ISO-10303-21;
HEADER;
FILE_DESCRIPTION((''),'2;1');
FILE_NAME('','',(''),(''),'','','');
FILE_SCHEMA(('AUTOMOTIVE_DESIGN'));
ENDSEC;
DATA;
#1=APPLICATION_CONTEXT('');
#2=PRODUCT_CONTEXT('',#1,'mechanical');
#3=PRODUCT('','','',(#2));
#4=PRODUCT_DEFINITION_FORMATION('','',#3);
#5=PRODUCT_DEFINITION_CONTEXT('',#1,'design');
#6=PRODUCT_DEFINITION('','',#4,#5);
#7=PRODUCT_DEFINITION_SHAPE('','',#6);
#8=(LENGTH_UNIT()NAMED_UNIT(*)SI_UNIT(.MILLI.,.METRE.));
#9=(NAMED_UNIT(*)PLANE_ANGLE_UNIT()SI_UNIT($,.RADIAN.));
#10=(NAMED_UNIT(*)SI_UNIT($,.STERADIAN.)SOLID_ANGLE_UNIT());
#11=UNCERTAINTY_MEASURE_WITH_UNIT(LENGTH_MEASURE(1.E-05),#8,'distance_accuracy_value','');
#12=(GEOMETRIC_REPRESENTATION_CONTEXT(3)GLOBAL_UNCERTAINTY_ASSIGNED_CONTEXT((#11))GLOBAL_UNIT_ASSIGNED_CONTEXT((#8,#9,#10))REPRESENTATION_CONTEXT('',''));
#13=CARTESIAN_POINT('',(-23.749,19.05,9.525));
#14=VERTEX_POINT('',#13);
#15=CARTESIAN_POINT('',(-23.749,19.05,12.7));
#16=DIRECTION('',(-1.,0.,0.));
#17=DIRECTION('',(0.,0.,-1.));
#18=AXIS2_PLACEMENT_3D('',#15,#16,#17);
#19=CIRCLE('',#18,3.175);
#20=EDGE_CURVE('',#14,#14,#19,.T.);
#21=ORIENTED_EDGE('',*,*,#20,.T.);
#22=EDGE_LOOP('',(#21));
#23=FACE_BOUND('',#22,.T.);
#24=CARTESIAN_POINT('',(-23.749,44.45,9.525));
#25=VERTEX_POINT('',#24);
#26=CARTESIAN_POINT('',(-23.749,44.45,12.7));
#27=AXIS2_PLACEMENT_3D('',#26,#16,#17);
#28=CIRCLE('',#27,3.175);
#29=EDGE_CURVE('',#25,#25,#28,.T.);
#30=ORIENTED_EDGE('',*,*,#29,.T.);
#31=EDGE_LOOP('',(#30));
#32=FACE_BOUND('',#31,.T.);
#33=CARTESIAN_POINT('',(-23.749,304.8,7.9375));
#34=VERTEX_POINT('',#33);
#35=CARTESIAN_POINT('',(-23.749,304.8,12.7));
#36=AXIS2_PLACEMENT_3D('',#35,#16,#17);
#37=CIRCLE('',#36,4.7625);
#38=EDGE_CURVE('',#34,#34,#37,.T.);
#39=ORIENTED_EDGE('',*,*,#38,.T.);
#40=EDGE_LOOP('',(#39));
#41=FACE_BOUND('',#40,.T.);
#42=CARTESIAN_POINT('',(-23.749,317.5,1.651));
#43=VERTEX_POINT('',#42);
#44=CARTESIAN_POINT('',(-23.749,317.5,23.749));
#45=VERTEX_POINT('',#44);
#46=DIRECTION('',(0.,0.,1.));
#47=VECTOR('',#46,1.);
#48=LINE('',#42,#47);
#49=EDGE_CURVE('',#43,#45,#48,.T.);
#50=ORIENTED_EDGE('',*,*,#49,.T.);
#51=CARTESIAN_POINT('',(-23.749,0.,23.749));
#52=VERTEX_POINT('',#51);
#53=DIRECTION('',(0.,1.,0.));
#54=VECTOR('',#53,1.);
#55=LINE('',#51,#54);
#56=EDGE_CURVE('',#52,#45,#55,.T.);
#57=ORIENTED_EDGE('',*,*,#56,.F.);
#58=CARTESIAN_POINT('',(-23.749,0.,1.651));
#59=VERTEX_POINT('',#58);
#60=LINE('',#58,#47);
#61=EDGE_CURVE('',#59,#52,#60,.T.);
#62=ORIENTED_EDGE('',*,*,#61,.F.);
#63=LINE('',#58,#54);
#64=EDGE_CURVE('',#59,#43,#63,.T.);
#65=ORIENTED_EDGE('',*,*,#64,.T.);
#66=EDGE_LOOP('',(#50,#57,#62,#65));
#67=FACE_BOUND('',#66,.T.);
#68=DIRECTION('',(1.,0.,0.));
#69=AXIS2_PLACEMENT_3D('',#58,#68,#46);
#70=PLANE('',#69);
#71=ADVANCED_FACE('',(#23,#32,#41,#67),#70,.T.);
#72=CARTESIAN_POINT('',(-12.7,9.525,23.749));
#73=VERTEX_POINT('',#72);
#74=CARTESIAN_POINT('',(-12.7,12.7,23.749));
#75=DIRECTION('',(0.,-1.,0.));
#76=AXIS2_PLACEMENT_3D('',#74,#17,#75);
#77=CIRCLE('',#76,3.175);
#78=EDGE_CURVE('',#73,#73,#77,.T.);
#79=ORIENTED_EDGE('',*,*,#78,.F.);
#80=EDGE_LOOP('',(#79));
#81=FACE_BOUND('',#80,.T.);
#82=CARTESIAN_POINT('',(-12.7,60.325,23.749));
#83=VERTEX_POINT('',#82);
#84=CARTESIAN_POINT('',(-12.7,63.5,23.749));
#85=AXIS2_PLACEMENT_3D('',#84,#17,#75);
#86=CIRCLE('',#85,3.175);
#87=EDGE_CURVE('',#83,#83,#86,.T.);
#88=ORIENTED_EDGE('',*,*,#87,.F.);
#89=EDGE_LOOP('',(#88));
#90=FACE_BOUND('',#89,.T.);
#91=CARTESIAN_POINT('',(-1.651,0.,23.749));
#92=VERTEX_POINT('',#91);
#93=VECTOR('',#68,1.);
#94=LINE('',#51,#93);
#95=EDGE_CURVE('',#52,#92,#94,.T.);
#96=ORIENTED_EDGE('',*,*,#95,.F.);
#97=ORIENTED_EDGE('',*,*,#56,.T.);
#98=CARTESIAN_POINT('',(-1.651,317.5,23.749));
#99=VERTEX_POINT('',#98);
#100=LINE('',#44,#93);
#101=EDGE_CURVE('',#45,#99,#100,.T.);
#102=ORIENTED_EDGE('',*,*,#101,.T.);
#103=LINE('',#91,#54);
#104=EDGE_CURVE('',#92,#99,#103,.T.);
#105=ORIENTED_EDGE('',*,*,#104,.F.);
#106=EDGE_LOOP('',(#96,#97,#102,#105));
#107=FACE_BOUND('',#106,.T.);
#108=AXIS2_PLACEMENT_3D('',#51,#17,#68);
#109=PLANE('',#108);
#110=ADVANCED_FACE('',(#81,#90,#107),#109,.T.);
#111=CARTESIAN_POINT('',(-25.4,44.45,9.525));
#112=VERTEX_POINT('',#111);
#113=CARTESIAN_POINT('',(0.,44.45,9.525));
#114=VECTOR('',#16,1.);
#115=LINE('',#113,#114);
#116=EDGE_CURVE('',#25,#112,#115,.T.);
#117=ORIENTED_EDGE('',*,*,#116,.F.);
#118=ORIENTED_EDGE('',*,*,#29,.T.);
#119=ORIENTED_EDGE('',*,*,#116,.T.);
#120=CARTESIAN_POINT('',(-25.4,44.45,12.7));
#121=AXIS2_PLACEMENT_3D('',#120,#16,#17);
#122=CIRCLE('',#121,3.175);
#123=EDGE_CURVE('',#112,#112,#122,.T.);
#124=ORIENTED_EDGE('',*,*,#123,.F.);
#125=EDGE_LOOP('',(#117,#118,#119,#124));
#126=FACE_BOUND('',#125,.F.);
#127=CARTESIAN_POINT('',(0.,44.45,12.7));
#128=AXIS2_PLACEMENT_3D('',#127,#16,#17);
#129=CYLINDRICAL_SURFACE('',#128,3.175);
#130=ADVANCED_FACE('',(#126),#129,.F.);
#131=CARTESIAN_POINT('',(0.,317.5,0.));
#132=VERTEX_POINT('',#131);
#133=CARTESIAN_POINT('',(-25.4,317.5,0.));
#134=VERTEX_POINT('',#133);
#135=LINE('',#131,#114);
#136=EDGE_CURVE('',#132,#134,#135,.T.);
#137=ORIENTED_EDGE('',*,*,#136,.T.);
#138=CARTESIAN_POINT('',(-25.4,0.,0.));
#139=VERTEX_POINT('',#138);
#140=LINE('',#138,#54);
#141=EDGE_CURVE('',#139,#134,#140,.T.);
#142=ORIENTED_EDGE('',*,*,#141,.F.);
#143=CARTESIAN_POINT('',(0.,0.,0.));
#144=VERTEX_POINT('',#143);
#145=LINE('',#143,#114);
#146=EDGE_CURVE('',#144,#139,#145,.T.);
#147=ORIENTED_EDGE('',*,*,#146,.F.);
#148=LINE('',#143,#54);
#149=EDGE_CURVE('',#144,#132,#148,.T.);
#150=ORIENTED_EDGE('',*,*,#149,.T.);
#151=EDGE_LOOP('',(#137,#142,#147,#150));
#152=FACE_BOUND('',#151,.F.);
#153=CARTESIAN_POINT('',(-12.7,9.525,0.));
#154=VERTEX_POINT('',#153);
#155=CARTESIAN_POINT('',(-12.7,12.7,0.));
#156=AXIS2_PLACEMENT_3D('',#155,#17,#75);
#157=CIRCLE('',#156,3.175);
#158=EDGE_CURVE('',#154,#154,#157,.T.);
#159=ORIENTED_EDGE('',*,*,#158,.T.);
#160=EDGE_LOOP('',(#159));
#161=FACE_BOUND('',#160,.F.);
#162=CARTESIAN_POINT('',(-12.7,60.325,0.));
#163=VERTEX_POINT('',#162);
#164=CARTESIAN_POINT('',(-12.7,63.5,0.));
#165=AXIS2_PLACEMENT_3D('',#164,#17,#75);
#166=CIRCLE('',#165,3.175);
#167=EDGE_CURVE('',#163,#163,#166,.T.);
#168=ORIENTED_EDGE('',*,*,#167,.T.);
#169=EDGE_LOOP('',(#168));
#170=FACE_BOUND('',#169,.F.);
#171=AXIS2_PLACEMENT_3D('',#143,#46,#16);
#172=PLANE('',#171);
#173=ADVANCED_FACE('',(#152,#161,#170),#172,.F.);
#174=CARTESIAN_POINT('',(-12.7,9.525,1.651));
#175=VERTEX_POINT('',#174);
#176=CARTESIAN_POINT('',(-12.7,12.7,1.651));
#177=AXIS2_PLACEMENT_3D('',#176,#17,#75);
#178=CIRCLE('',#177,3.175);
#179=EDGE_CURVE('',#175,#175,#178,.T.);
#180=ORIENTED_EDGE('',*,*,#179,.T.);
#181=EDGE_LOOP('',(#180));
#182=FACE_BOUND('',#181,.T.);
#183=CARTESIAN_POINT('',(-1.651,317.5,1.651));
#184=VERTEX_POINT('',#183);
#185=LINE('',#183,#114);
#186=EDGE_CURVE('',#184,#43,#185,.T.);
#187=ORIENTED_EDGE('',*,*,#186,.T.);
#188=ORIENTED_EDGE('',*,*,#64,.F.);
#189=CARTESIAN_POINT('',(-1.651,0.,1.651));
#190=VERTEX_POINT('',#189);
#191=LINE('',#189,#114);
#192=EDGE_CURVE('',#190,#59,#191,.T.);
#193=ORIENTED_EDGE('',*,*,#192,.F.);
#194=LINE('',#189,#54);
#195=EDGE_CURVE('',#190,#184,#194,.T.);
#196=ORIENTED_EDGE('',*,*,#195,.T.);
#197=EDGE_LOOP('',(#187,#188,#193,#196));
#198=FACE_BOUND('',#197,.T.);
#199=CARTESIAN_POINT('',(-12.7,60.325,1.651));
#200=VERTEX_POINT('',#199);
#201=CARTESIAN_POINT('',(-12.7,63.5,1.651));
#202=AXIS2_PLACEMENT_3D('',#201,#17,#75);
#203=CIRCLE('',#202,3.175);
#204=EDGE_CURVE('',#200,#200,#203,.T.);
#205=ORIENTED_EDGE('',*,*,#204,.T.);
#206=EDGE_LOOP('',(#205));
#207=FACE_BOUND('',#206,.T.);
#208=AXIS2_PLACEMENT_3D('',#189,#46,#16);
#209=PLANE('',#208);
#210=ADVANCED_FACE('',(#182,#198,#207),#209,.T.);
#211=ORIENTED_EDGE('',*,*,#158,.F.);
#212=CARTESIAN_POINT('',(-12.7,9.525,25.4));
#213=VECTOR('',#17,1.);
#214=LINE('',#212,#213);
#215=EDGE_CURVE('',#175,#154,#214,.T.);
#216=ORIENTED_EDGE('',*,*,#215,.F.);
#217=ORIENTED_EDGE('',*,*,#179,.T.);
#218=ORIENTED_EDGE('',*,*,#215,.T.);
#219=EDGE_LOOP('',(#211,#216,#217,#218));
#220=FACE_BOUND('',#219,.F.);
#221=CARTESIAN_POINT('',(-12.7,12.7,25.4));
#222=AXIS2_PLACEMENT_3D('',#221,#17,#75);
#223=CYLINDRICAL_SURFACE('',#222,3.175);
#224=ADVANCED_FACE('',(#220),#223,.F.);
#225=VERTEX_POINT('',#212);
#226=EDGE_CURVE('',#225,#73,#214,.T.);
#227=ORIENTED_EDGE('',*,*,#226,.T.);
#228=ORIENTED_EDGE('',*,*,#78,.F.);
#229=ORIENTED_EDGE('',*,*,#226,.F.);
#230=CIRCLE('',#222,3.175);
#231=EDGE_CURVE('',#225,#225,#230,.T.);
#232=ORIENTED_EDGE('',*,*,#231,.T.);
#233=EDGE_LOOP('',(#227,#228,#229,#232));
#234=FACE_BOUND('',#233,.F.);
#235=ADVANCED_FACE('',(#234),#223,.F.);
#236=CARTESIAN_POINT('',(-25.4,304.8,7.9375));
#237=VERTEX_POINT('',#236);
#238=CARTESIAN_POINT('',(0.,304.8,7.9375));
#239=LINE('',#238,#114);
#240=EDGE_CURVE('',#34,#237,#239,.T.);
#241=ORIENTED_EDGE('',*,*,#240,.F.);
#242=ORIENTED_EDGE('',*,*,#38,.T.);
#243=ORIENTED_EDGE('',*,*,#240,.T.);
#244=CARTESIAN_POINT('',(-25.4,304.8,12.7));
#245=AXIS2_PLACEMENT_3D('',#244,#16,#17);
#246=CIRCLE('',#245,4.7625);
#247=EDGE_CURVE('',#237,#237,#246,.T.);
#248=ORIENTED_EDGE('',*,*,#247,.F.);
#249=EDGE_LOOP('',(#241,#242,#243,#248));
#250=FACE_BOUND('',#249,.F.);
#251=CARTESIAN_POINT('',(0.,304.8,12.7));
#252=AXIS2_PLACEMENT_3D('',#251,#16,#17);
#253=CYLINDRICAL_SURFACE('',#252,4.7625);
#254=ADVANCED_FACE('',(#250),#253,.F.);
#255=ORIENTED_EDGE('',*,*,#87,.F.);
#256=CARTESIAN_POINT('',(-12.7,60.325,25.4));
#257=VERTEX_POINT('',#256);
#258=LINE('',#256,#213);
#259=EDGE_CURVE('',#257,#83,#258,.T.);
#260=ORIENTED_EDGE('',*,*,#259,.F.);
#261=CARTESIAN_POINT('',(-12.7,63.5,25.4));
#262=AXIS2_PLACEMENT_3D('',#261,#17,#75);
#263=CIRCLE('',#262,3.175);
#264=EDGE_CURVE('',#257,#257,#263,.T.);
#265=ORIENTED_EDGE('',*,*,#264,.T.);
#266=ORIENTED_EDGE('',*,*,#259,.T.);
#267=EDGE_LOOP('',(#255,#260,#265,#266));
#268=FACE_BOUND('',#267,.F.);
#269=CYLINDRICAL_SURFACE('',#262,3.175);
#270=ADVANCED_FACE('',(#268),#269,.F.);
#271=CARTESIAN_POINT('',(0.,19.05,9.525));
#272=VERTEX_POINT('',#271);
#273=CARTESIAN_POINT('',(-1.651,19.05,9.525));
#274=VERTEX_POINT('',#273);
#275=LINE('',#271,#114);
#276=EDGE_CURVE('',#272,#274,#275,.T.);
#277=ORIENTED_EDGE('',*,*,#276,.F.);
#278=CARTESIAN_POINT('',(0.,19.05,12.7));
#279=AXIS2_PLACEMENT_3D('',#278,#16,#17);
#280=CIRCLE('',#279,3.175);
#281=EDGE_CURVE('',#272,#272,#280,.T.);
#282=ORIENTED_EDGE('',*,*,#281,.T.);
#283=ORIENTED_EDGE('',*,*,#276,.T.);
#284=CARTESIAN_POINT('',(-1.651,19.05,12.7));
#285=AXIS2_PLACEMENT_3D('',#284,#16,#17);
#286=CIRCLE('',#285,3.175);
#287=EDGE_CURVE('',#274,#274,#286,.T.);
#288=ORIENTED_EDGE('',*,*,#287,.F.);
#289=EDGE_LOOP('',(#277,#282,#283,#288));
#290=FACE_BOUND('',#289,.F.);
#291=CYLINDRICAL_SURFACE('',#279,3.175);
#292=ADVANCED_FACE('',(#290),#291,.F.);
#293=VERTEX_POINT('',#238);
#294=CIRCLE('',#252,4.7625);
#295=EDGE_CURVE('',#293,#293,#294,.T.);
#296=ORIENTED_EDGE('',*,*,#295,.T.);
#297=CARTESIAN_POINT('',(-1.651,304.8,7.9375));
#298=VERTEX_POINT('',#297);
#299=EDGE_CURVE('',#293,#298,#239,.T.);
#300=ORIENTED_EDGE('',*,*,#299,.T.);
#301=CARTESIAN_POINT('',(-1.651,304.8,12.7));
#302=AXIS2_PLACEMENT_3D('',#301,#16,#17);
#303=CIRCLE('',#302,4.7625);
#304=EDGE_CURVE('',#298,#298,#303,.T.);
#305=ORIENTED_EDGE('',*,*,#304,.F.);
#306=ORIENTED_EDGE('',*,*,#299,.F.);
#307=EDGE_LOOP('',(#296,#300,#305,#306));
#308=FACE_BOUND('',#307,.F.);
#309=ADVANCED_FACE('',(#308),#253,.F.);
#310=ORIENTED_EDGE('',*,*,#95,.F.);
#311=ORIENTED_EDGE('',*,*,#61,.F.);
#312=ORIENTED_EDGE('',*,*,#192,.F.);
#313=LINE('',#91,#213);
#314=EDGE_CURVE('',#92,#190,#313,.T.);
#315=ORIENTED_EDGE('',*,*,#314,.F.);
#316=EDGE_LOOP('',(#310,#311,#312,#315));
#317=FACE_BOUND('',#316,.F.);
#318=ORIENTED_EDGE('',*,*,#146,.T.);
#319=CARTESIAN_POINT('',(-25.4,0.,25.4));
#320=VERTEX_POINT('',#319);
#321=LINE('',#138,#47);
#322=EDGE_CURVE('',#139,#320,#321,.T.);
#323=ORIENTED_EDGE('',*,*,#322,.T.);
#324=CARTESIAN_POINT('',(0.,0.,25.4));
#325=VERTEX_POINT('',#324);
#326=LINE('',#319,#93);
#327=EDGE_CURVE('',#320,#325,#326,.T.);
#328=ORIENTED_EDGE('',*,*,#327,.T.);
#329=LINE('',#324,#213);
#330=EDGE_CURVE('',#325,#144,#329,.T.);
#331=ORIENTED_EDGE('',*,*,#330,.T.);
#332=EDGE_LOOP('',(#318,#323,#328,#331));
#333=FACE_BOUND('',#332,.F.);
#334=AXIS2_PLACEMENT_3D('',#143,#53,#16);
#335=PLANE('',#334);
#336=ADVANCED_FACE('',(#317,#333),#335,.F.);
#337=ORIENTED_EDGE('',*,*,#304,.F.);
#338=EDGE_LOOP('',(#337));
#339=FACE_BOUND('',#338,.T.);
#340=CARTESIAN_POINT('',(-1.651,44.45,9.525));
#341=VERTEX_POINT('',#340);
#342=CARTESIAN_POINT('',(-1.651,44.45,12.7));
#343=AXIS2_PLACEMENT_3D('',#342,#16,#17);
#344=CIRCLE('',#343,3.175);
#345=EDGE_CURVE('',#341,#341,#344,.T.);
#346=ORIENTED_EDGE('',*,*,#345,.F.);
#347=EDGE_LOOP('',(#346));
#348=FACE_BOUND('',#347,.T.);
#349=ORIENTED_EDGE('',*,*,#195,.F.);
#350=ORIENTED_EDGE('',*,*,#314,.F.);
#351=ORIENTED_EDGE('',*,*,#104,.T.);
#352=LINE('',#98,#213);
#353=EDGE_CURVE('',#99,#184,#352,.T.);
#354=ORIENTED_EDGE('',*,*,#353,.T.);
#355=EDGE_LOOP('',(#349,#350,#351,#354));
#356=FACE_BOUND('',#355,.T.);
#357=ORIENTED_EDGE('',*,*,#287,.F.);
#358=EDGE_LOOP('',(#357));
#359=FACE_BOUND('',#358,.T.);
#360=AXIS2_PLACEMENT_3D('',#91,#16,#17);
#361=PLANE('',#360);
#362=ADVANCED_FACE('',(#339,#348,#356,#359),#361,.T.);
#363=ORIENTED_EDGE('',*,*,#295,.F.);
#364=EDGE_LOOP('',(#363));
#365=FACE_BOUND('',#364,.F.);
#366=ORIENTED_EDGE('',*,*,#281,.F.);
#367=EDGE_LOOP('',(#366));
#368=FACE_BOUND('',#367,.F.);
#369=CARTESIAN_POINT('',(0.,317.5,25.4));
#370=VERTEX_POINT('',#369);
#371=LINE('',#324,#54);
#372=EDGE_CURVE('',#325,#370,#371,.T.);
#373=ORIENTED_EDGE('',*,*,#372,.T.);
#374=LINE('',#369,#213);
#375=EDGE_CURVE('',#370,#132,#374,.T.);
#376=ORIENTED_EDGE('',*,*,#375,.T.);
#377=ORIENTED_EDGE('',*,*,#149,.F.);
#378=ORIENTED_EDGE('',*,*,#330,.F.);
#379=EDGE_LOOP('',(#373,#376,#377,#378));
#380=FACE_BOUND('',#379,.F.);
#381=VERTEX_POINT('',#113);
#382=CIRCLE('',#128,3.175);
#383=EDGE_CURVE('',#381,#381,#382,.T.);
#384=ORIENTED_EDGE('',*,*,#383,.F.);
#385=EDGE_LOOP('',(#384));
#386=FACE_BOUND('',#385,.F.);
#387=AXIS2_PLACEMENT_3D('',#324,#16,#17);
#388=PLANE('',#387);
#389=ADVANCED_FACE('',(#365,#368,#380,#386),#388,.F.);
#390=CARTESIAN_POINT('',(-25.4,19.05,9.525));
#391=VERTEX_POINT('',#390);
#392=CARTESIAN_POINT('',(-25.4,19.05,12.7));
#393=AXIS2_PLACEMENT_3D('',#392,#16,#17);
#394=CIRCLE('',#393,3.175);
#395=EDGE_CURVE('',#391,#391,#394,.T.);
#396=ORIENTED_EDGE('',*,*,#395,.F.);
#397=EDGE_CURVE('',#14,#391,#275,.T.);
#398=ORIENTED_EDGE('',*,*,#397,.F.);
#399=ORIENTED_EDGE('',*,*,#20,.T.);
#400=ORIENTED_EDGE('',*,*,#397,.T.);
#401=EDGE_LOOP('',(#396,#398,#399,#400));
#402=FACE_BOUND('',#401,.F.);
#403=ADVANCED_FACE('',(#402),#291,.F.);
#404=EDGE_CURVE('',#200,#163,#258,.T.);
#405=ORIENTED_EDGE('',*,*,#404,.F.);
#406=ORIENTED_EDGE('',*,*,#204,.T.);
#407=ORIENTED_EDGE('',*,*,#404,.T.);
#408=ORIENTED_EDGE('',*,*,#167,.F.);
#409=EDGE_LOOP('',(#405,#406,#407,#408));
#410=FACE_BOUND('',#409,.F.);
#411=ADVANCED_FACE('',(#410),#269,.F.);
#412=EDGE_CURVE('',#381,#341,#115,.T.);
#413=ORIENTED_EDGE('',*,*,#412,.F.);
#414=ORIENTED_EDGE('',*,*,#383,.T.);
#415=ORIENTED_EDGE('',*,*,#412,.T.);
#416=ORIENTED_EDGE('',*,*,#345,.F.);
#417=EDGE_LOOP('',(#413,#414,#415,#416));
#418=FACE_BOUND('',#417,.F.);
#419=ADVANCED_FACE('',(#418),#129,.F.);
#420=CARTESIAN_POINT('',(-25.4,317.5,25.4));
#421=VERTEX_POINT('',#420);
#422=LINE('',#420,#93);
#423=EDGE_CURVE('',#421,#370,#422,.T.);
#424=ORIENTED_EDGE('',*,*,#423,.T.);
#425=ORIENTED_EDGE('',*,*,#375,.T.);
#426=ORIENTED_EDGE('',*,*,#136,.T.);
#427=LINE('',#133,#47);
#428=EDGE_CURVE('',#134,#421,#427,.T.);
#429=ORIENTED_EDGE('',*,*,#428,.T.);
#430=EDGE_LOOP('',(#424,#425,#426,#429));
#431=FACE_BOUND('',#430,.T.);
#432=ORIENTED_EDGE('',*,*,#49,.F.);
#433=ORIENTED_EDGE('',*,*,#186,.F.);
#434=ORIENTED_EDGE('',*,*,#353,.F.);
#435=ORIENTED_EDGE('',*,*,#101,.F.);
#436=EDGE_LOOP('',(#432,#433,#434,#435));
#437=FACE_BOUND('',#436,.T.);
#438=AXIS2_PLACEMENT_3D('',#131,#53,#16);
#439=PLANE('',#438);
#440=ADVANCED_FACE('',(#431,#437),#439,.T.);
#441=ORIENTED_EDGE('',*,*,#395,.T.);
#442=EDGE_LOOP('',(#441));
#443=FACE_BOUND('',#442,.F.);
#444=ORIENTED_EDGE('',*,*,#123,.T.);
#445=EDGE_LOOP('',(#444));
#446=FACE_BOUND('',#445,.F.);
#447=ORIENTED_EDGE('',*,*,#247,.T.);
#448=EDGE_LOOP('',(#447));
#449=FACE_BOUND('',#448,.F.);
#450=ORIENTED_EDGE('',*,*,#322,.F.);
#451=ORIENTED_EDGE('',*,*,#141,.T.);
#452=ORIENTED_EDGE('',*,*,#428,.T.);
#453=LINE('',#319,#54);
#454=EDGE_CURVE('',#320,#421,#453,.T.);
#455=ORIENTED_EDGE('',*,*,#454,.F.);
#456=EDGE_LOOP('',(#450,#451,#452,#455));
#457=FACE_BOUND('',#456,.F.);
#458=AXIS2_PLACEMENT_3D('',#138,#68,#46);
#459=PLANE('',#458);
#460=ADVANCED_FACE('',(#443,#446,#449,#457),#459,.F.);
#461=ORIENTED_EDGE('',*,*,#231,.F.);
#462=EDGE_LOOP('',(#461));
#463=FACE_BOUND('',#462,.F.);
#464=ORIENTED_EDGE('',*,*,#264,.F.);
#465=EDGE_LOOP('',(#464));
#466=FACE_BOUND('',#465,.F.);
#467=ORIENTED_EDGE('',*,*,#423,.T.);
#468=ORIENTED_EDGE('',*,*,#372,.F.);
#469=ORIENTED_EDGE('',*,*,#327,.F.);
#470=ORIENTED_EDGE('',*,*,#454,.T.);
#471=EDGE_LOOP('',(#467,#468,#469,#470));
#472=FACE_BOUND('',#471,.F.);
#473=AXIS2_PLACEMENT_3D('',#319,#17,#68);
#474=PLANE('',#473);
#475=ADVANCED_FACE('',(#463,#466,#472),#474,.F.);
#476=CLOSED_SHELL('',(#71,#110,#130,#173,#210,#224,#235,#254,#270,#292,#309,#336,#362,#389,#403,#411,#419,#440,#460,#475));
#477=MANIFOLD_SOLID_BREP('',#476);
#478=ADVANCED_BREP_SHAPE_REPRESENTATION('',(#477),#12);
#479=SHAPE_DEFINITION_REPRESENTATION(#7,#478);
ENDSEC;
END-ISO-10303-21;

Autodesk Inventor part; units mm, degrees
ref_plane "YZ Plane" through (0, 0, 0) normal (1, 0, 0) x (0, 1, 0)
ref_plane "XZ Plane" through (0, 0, 0) normal (0, 1, 0) x (-1, 0, 0)
ref_plane "XY Plane" through (0, 0, 0) normal (0, 0, 1) x (1, 0, 0)
sketch "Sketch1" plane through (0, 0, 0) normal (0, 1, 0) x (-1, 0, 0)
  line L0 (0, 0) -> (25.4, 0)
  line L1 (25.4, 0) -> (25.4, 25.4)
  line L2 (25.4, 25.4) -> (0, 25.4)
  line L3 (0, 25.4) -> (0, 0)
  line L4 (1.651, 1.651) -> (23.749, 1.651)
  line L5 (23.749, 1.651) -> (23.749, 23.749)
  line L6 (23.749, 23.749) -> (1.651, 23.749)
  line L7 (1.651, 23.749) -> (1.651, 1.651)
  dimension "d0" = 25.4
  dimension "d1" = 25.4
  dimension "d2" = 1.651
  dimension "d3" = 1.651
  dimension "d4" = 1.651
  dimension "d5" = 1.651
extrude "Extrusion1" add sketch "Sketch1" along normal blind 317.5
sketch "Sketch3" plane through (-25.4, 0, 25.4) normal (0, 0, 1) x (1, 0, 0)
  line L0 (0, 0) -> (25.4, 0) projected
  line L1 (25.4, 0) -> (25.4, 317.5) projected
  line L2 (0, 317.5) -> (25.4, 317.5) projected
  line L3 (0, 0) -> (0, 317.5) projected
sketch "Sketch4" plane through (-25.4, 0, 25.4) normal (0, 0, 1) x (1, 0, 0)
  line L0 (0, 0) -> (25.4, 0) projected
  line L1 (25.4, 0) -> (25.4, 317.5) projected
  point P0 (12.7, 12.7)
  point P1 (12.7, 63.5)
  dimension "d12" = 12.7
  dimension "d13" = 12.7
  dimension "d14" = 12.7
  dimension "d15" = 50.8
hole "Hole1" at (-12.7, 12.7, 25.4) direction (0, 0, -1) diameter 6.35 end through all
sketch "Sketch5" plane through (-25.4, 0, 25.4) normal (0, 0, 1) x (1, 0, 0)
  circle A0 centre (12.7, 12.7) radius 3.175 projected
  line L0 (25.4, 0) -> (25.4, 317.5) projected
  point P0 (12.7, 63.5)
  dimension "d23" = 12.7
  dimension "d24" = 50.8
hole "Hole2" at (-12.7, 63.5, 25.4) direction (0, 0, -1) diameter 6.35 end through all
sketch "Sketch6" plane through (0, 0, 25.4) normal (1, 0, 0) x (0, 0, -1)
  line L0 (0, 0) -> (25.4, 0) projected
  line L1 (25.4, 0) -> (25.4, 317.5) projected
  point P0 (12.7, 19.05)
  point P1 (12.7, 44.45)
  dimension "d32" = 12.7
  dimension "d33" = 12.7
  dimension "d34" = 19.05
  dimension "d35" = 25.4
hole "Hole3" at (0, 19.05, 12.7) at (0, 44.45, 12.7) direction (-1, 0, 0) diameter 6.35 end through all
sketch "Sketch7" plane through (0, 0, 25.4) normal (1, 0, 0) x (0, 0, -1)
  line L0 (0, 317.5) -> (25.4, 317.5) projected
  line L1 (0, 0) -> (0, 317.5) projected
  point P0 (12.7, 304.8)
  dimension "d43" = 12.7
  dimension "d44" = 12.7
hole "Hole4" at (0, 304.8, 12.7) direction (-1, 0, 0) diameter 9.525 end through all
properties part number "Front_Bar" material "Aluminum 6061"
